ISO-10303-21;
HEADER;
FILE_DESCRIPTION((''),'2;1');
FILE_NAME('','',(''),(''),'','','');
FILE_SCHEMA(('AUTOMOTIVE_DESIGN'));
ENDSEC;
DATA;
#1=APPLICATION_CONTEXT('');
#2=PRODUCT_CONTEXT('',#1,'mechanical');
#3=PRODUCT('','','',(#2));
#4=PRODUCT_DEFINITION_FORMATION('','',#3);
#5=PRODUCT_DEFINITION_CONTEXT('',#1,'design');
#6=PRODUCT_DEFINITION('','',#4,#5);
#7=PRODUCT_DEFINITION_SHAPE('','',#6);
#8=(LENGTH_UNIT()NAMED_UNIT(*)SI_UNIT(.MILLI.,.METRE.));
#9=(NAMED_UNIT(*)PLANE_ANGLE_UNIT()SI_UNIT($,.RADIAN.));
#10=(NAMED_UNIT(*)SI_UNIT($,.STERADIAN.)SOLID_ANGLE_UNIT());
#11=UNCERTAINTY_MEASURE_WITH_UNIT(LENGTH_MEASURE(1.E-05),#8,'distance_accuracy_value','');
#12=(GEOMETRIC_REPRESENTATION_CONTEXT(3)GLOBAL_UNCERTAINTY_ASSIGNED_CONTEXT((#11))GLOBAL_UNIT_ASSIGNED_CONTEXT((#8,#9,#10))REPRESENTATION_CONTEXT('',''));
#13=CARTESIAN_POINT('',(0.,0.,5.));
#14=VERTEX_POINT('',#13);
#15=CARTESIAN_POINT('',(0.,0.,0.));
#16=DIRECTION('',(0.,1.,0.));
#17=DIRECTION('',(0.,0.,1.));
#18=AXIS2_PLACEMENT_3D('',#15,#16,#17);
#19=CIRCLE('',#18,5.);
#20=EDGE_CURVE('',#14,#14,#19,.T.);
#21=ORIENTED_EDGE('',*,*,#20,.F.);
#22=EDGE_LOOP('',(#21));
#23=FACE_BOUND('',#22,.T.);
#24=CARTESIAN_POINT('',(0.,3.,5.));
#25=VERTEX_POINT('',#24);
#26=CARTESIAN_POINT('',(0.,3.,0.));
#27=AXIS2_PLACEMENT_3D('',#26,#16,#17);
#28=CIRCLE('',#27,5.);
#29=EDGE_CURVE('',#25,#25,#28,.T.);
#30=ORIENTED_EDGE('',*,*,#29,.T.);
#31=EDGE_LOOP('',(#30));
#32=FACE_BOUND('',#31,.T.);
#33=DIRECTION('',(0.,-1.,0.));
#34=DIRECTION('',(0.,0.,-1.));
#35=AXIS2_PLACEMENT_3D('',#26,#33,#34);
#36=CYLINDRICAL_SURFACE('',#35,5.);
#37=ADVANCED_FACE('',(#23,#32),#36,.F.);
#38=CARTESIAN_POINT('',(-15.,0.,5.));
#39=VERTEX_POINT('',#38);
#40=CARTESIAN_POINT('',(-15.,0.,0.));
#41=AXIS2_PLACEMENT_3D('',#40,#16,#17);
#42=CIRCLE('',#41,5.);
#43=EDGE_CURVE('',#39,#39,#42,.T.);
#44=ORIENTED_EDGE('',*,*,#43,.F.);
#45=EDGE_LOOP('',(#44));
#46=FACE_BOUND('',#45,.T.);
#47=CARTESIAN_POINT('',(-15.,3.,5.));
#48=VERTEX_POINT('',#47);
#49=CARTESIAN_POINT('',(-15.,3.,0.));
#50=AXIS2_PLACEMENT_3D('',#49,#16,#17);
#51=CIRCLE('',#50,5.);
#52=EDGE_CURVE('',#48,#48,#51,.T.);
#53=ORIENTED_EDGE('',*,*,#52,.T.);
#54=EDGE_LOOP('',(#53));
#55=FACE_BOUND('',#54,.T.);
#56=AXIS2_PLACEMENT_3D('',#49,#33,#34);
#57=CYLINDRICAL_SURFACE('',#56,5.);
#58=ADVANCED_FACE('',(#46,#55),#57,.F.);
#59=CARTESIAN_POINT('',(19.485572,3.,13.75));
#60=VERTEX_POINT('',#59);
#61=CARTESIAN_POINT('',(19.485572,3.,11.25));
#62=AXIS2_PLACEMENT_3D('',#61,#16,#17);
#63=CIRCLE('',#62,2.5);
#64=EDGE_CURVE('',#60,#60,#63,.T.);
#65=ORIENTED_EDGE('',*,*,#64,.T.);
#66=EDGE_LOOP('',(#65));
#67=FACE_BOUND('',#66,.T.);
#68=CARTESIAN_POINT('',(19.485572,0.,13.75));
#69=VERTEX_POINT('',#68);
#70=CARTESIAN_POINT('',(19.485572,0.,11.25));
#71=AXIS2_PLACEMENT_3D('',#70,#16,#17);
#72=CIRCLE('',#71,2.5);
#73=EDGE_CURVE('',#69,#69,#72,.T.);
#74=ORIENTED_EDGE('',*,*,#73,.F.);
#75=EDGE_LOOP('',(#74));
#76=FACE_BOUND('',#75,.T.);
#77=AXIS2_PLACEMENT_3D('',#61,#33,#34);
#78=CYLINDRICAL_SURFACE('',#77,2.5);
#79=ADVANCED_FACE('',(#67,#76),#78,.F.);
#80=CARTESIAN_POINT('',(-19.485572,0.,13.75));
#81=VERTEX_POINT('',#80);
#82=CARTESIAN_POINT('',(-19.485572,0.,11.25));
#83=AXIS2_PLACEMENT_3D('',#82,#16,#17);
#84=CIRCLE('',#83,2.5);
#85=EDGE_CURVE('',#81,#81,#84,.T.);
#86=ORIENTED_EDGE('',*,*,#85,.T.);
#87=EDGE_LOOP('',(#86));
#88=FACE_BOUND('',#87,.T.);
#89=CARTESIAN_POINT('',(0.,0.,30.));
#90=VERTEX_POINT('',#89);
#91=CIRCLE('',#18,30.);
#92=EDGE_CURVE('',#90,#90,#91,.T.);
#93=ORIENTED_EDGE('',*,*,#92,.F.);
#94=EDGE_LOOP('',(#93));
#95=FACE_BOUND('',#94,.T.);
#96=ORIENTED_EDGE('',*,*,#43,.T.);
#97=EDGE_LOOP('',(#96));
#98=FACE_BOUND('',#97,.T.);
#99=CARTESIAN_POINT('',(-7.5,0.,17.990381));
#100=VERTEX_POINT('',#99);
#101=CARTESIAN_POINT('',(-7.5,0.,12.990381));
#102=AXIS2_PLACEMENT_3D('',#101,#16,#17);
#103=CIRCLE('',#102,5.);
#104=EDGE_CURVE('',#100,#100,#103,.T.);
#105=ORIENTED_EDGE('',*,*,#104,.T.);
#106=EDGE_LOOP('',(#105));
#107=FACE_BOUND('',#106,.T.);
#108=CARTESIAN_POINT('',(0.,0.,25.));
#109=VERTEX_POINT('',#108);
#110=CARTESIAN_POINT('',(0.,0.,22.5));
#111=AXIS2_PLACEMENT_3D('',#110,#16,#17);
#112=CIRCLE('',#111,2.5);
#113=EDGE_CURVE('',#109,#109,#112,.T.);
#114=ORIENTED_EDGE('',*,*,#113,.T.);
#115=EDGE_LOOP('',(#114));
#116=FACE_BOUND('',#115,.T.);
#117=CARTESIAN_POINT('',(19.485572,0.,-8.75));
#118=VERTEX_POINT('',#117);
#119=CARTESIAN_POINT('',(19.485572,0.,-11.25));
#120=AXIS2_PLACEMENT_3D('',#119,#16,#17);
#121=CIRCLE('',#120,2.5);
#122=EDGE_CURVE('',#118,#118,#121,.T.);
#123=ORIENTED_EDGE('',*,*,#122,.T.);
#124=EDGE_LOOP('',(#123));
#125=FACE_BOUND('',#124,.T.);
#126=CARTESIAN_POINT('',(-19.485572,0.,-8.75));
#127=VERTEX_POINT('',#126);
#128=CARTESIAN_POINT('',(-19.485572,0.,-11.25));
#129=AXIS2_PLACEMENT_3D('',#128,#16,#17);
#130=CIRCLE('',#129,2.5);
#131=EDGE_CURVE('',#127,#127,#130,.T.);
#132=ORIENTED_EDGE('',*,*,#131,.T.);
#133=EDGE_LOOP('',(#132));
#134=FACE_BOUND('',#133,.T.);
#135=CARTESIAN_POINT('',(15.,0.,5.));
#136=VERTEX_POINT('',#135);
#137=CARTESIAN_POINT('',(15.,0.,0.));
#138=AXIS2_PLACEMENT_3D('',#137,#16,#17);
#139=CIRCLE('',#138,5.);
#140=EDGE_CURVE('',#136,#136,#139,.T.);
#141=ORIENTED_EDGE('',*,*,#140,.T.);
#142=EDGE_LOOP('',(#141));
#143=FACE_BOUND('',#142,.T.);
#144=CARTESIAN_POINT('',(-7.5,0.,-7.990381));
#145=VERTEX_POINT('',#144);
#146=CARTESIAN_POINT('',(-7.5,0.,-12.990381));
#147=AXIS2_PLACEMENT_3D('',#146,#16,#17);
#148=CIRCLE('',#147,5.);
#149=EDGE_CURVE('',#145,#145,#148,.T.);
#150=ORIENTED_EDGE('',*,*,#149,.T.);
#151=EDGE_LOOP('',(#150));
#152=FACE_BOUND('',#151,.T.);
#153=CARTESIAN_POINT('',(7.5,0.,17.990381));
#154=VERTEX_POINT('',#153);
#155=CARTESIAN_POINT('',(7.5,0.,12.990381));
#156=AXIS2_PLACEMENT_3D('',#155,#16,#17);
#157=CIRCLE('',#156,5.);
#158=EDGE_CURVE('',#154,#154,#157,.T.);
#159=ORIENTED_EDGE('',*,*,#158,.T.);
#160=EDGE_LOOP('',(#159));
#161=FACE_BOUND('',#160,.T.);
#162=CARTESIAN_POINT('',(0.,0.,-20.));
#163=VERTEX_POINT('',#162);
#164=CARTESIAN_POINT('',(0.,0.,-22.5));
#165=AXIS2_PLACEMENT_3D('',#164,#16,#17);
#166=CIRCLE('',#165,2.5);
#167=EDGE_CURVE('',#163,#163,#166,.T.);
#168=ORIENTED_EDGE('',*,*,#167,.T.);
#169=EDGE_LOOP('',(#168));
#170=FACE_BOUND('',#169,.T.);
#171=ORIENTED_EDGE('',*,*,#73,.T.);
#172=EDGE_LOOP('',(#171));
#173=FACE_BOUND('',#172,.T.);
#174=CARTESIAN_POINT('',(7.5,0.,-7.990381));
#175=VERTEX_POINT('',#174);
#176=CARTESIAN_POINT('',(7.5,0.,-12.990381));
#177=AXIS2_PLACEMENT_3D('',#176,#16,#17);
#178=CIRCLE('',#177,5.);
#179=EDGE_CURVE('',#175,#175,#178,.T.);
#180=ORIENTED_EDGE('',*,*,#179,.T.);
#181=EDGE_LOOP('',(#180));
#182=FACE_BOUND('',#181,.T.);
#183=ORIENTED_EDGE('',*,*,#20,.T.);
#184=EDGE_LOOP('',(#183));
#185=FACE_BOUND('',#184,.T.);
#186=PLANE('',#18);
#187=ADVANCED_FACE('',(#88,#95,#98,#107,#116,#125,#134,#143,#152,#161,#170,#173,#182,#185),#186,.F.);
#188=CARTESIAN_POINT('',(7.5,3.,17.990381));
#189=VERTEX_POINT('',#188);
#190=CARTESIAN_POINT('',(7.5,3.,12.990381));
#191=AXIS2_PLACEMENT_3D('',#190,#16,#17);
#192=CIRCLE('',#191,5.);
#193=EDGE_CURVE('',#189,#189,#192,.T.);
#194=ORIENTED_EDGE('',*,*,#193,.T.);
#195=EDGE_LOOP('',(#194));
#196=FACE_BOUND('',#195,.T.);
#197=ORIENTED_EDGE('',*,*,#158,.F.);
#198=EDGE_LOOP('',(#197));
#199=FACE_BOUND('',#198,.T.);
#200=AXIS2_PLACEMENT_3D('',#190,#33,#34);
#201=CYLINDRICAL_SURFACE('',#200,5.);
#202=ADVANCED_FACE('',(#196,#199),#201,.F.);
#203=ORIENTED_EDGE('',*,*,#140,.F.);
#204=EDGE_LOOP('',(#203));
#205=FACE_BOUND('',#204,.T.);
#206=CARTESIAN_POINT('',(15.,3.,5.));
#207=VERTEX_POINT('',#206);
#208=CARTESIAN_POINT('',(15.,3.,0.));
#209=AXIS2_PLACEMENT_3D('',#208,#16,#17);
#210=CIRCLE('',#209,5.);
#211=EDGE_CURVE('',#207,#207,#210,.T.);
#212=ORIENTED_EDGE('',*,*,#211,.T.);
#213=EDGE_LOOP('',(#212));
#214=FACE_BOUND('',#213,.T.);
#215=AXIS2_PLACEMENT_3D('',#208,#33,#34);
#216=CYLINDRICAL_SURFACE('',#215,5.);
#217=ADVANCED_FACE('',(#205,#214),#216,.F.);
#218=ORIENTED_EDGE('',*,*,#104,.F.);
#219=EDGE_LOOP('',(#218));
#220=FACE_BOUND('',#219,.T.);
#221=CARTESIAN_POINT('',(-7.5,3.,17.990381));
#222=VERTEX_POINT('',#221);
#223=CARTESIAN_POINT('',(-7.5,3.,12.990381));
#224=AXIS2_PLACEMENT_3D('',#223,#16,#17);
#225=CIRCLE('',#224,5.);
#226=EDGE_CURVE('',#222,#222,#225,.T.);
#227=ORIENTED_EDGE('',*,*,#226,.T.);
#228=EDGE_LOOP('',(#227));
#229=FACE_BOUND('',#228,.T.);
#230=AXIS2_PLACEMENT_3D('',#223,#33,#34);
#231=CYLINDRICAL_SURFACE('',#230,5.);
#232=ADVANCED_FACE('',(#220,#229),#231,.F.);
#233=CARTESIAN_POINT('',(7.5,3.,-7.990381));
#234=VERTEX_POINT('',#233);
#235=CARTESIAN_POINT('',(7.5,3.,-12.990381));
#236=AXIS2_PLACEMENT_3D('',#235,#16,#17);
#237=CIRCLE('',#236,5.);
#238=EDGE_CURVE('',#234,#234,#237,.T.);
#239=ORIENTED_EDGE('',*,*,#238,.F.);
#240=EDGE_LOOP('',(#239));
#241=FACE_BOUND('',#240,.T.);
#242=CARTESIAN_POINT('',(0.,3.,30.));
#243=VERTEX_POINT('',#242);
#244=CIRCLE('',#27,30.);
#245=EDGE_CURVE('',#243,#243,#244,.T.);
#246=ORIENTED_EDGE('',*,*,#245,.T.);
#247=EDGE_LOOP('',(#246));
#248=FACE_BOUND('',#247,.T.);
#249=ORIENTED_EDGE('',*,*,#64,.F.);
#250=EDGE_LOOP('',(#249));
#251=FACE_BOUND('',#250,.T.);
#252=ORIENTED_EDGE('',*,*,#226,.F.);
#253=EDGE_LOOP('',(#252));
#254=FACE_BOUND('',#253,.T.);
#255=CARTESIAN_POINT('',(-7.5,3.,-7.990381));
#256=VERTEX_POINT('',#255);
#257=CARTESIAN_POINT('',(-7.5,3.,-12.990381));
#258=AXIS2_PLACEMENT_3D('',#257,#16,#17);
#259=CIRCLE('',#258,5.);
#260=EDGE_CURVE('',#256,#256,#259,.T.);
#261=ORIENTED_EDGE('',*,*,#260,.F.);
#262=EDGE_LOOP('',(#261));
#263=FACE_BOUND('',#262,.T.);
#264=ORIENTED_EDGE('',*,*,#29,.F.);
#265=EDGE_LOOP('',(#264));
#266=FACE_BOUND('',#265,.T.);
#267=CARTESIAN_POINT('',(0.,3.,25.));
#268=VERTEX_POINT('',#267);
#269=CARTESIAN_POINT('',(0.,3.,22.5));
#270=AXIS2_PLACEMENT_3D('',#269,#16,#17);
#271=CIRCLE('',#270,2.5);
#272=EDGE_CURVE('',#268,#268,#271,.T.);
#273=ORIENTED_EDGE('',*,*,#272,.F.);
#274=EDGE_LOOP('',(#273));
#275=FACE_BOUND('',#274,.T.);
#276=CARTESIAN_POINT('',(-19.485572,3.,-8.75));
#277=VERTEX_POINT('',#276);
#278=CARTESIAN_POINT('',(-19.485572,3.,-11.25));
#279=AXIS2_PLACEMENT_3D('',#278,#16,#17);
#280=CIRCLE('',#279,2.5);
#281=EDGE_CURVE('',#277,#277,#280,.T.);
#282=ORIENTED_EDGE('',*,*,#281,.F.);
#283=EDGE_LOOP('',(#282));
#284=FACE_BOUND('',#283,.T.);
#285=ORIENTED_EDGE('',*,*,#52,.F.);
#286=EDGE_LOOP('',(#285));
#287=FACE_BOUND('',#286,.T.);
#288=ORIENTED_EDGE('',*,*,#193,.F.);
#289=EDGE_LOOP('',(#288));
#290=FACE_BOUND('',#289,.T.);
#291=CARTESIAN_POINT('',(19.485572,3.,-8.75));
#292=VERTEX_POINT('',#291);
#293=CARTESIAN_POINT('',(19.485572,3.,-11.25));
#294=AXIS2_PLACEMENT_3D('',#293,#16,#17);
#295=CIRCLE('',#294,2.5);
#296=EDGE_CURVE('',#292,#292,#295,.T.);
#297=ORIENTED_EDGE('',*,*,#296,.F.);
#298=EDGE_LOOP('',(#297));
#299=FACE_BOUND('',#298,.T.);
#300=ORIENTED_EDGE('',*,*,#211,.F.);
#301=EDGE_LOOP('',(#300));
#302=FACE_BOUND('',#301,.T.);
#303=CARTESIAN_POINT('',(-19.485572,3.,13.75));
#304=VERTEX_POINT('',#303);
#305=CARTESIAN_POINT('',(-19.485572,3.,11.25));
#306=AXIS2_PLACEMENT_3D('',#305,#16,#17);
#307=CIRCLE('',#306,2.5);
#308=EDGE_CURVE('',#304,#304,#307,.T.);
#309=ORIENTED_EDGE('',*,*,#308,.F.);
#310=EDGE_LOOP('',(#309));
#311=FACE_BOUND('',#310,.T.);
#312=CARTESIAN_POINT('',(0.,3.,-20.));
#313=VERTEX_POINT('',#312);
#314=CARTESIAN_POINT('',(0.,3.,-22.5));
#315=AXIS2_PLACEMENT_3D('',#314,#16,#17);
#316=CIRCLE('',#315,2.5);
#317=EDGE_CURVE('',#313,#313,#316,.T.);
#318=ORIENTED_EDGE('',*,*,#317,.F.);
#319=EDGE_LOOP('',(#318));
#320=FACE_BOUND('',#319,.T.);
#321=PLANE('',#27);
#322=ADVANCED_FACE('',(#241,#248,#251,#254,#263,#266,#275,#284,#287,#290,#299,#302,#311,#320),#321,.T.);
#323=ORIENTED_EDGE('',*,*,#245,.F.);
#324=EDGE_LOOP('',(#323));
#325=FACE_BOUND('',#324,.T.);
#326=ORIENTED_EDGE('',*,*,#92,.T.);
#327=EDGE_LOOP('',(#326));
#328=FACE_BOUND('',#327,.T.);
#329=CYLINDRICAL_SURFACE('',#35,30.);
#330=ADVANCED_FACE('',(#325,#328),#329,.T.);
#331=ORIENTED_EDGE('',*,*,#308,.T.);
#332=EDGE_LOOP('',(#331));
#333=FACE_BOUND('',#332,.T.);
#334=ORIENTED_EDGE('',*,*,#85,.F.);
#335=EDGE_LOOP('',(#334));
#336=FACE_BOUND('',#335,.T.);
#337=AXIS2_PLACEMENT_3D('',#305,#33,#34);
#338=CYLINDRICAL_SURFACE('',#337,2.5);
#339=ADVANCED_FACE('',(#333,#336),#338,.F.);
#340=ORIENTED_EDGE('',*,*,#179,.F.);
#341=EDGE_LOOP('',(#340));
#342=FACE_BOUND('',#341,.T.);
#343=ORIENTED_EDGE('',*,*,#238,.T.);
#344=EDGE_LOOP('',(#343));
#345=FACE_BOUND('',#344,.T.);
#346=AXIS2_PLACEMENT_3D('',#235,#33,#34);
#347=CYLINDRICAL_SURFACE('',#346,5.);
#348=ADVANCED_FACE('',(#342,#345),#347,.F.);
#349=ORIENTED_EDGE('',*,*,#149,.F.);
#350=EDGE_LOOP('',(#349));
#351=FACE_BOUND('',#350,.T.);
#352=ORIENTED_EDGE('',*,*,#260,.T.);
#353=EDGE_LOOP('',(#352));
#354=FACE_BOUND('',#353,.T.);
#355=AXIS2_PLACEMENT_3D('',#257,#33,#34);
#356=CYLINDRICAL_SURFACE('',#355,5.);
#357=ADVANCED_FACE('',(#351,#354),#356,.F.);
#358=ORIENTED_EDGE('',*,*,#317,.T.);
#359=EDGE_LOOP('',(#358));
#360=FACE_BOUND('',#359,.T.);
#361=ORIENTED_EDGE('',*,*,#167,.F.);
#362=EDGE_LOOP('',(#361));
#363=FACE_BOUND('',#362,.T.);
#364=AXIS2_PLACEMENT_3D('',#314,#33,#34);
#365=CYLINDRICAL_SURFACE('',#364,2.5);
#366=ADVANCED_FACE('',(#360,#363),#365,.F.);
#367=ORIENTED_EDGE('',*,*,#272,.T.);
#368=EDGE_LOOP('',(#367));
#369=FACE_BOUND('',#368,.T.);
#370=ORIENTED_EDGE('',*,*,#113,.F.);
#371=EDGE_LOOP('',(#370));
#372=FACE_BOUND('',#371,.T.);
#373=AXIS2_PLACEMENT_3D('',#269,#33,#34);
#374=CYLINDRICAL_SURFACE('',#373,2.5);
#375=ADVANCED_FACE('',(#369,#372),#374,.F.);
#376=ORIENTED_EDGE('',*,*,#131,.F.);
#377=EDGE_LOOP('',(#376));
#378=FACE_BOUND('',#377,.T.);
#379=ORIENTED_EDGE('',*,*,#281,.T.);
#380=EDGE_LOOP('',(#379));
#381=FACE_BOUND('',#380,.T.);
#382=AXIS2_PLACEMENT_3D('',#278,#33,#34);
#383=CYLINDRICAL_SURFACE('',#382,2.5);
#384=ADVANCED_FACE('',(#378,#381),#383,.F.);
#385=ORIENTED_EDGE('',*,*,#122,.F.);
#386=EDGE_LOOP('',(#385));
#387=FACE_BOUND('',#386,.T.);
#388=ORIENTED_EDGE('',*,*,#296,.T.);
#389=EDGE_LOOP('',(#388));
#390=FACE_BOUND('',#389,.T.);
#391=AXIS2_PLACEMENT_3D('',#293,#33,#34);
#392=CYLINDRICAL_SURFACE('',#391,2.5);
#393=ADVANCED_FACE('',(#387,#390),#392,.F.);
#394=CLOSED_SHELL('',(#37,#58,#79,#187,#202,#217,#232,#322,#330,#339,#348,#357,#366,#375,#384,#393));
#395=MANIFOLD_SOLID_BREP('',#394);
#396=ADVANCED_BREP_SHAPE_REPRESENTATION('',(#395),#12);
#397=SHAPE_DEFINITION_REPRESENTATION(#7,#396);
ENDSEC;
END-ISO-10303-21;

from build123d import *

# Parameters (mm, degrees)
SKETCH_1_R      = 30
SKETCH_1_R_2    = 5
SKETCH_1_R_3    = 2.5
EXTRUDE_1_DEPTH = 3


with BuildPart() as part:
    # 草图1 → 凸台-拉伸1 (new body)
    with BuildSketch(Plane(origin=(0, 0, 0), x_dir=(1, 0, 0), z_dir=(0, 1, 0))):
        with Locations(Location((0, 0, 0), (0, 0, 270))):
            Circle(SKETCH_1_R)
        with Locations(Location((0, 0, 0), (0, 0, 270))):
            Circle(SKETCH_1_R_2, mode=Mode.SUBTRACT)
        with Locations(Location((0, 22.5, 0), (0, 0, 270))):
            Circle(SKETCH_1_R_3, mode=Mode.SUBTRACT)
        with Locations(Location((19.485571585, 11.25, 0), (0, 0, 270))):
            Circle(SKETCH_1_R_3, mode=Mode.SUBTRACT)
        with Locations(Location((19.485571585, -11.25, 0), (0, 0, 270))):
            Circle(SKETCH_1_R_3, mode=Mode.SUBTRACT)
        with Locations(Location((0, -22.5, 0), (0, 0, 270))):
            Circle(SKETCH_1_R_3, mode=Mode.SUBTRACT)
        with Locations(Location((-19.485571585, -11.25, 0), (0, 0, 270))):
            Circle(SKETCH_1_R_3, mode=Mode.SUBTRACT)
        with Locations(Location((-19.485571585, 11.25, 0), (0, 0, 270))):
            Circle(SKETCH_1_R_3, mode=Mode.SUBTRACT)
        with Locations(Location((-7.5, 12.990381057, 0), (0, 0, 270))):
            Circle(SKETCH_1_R_2, mode=Mode.SUBTRACT)
        with Locations(Location((7.5, 12.990381057, 0), (0, 0, 270))):
            Circle(SKETCH_1_R_2, mode=Mode.SUBTRACT)
        with Locations(Location((15, 0, 0), (0, 0, 270))):
            Circle(SKETCH_1_R_2, mode=Mode.SUBTRACT)
        with Locations(Location((7.5, -12.990381057, 0), (0, 0, 270))):
            Circle(SKETCH_1_R_2, mode=Mode.SUBTRACT)
        with Locations(Location((-7.5, -12.990381057, 0), (0, 0, 270))):
            Circle(SKETCH_1_R_2, mode=Mode.SUBTRACT)
        with Locations(Location((-15, 0, 0), (0, 0, 270))):
            Circle(SKETCH_1_R_2, mode=Mode.SUBTRACT)
    extrude(amount=EXTRUDE_1_DEPTH)


solid = part.part
